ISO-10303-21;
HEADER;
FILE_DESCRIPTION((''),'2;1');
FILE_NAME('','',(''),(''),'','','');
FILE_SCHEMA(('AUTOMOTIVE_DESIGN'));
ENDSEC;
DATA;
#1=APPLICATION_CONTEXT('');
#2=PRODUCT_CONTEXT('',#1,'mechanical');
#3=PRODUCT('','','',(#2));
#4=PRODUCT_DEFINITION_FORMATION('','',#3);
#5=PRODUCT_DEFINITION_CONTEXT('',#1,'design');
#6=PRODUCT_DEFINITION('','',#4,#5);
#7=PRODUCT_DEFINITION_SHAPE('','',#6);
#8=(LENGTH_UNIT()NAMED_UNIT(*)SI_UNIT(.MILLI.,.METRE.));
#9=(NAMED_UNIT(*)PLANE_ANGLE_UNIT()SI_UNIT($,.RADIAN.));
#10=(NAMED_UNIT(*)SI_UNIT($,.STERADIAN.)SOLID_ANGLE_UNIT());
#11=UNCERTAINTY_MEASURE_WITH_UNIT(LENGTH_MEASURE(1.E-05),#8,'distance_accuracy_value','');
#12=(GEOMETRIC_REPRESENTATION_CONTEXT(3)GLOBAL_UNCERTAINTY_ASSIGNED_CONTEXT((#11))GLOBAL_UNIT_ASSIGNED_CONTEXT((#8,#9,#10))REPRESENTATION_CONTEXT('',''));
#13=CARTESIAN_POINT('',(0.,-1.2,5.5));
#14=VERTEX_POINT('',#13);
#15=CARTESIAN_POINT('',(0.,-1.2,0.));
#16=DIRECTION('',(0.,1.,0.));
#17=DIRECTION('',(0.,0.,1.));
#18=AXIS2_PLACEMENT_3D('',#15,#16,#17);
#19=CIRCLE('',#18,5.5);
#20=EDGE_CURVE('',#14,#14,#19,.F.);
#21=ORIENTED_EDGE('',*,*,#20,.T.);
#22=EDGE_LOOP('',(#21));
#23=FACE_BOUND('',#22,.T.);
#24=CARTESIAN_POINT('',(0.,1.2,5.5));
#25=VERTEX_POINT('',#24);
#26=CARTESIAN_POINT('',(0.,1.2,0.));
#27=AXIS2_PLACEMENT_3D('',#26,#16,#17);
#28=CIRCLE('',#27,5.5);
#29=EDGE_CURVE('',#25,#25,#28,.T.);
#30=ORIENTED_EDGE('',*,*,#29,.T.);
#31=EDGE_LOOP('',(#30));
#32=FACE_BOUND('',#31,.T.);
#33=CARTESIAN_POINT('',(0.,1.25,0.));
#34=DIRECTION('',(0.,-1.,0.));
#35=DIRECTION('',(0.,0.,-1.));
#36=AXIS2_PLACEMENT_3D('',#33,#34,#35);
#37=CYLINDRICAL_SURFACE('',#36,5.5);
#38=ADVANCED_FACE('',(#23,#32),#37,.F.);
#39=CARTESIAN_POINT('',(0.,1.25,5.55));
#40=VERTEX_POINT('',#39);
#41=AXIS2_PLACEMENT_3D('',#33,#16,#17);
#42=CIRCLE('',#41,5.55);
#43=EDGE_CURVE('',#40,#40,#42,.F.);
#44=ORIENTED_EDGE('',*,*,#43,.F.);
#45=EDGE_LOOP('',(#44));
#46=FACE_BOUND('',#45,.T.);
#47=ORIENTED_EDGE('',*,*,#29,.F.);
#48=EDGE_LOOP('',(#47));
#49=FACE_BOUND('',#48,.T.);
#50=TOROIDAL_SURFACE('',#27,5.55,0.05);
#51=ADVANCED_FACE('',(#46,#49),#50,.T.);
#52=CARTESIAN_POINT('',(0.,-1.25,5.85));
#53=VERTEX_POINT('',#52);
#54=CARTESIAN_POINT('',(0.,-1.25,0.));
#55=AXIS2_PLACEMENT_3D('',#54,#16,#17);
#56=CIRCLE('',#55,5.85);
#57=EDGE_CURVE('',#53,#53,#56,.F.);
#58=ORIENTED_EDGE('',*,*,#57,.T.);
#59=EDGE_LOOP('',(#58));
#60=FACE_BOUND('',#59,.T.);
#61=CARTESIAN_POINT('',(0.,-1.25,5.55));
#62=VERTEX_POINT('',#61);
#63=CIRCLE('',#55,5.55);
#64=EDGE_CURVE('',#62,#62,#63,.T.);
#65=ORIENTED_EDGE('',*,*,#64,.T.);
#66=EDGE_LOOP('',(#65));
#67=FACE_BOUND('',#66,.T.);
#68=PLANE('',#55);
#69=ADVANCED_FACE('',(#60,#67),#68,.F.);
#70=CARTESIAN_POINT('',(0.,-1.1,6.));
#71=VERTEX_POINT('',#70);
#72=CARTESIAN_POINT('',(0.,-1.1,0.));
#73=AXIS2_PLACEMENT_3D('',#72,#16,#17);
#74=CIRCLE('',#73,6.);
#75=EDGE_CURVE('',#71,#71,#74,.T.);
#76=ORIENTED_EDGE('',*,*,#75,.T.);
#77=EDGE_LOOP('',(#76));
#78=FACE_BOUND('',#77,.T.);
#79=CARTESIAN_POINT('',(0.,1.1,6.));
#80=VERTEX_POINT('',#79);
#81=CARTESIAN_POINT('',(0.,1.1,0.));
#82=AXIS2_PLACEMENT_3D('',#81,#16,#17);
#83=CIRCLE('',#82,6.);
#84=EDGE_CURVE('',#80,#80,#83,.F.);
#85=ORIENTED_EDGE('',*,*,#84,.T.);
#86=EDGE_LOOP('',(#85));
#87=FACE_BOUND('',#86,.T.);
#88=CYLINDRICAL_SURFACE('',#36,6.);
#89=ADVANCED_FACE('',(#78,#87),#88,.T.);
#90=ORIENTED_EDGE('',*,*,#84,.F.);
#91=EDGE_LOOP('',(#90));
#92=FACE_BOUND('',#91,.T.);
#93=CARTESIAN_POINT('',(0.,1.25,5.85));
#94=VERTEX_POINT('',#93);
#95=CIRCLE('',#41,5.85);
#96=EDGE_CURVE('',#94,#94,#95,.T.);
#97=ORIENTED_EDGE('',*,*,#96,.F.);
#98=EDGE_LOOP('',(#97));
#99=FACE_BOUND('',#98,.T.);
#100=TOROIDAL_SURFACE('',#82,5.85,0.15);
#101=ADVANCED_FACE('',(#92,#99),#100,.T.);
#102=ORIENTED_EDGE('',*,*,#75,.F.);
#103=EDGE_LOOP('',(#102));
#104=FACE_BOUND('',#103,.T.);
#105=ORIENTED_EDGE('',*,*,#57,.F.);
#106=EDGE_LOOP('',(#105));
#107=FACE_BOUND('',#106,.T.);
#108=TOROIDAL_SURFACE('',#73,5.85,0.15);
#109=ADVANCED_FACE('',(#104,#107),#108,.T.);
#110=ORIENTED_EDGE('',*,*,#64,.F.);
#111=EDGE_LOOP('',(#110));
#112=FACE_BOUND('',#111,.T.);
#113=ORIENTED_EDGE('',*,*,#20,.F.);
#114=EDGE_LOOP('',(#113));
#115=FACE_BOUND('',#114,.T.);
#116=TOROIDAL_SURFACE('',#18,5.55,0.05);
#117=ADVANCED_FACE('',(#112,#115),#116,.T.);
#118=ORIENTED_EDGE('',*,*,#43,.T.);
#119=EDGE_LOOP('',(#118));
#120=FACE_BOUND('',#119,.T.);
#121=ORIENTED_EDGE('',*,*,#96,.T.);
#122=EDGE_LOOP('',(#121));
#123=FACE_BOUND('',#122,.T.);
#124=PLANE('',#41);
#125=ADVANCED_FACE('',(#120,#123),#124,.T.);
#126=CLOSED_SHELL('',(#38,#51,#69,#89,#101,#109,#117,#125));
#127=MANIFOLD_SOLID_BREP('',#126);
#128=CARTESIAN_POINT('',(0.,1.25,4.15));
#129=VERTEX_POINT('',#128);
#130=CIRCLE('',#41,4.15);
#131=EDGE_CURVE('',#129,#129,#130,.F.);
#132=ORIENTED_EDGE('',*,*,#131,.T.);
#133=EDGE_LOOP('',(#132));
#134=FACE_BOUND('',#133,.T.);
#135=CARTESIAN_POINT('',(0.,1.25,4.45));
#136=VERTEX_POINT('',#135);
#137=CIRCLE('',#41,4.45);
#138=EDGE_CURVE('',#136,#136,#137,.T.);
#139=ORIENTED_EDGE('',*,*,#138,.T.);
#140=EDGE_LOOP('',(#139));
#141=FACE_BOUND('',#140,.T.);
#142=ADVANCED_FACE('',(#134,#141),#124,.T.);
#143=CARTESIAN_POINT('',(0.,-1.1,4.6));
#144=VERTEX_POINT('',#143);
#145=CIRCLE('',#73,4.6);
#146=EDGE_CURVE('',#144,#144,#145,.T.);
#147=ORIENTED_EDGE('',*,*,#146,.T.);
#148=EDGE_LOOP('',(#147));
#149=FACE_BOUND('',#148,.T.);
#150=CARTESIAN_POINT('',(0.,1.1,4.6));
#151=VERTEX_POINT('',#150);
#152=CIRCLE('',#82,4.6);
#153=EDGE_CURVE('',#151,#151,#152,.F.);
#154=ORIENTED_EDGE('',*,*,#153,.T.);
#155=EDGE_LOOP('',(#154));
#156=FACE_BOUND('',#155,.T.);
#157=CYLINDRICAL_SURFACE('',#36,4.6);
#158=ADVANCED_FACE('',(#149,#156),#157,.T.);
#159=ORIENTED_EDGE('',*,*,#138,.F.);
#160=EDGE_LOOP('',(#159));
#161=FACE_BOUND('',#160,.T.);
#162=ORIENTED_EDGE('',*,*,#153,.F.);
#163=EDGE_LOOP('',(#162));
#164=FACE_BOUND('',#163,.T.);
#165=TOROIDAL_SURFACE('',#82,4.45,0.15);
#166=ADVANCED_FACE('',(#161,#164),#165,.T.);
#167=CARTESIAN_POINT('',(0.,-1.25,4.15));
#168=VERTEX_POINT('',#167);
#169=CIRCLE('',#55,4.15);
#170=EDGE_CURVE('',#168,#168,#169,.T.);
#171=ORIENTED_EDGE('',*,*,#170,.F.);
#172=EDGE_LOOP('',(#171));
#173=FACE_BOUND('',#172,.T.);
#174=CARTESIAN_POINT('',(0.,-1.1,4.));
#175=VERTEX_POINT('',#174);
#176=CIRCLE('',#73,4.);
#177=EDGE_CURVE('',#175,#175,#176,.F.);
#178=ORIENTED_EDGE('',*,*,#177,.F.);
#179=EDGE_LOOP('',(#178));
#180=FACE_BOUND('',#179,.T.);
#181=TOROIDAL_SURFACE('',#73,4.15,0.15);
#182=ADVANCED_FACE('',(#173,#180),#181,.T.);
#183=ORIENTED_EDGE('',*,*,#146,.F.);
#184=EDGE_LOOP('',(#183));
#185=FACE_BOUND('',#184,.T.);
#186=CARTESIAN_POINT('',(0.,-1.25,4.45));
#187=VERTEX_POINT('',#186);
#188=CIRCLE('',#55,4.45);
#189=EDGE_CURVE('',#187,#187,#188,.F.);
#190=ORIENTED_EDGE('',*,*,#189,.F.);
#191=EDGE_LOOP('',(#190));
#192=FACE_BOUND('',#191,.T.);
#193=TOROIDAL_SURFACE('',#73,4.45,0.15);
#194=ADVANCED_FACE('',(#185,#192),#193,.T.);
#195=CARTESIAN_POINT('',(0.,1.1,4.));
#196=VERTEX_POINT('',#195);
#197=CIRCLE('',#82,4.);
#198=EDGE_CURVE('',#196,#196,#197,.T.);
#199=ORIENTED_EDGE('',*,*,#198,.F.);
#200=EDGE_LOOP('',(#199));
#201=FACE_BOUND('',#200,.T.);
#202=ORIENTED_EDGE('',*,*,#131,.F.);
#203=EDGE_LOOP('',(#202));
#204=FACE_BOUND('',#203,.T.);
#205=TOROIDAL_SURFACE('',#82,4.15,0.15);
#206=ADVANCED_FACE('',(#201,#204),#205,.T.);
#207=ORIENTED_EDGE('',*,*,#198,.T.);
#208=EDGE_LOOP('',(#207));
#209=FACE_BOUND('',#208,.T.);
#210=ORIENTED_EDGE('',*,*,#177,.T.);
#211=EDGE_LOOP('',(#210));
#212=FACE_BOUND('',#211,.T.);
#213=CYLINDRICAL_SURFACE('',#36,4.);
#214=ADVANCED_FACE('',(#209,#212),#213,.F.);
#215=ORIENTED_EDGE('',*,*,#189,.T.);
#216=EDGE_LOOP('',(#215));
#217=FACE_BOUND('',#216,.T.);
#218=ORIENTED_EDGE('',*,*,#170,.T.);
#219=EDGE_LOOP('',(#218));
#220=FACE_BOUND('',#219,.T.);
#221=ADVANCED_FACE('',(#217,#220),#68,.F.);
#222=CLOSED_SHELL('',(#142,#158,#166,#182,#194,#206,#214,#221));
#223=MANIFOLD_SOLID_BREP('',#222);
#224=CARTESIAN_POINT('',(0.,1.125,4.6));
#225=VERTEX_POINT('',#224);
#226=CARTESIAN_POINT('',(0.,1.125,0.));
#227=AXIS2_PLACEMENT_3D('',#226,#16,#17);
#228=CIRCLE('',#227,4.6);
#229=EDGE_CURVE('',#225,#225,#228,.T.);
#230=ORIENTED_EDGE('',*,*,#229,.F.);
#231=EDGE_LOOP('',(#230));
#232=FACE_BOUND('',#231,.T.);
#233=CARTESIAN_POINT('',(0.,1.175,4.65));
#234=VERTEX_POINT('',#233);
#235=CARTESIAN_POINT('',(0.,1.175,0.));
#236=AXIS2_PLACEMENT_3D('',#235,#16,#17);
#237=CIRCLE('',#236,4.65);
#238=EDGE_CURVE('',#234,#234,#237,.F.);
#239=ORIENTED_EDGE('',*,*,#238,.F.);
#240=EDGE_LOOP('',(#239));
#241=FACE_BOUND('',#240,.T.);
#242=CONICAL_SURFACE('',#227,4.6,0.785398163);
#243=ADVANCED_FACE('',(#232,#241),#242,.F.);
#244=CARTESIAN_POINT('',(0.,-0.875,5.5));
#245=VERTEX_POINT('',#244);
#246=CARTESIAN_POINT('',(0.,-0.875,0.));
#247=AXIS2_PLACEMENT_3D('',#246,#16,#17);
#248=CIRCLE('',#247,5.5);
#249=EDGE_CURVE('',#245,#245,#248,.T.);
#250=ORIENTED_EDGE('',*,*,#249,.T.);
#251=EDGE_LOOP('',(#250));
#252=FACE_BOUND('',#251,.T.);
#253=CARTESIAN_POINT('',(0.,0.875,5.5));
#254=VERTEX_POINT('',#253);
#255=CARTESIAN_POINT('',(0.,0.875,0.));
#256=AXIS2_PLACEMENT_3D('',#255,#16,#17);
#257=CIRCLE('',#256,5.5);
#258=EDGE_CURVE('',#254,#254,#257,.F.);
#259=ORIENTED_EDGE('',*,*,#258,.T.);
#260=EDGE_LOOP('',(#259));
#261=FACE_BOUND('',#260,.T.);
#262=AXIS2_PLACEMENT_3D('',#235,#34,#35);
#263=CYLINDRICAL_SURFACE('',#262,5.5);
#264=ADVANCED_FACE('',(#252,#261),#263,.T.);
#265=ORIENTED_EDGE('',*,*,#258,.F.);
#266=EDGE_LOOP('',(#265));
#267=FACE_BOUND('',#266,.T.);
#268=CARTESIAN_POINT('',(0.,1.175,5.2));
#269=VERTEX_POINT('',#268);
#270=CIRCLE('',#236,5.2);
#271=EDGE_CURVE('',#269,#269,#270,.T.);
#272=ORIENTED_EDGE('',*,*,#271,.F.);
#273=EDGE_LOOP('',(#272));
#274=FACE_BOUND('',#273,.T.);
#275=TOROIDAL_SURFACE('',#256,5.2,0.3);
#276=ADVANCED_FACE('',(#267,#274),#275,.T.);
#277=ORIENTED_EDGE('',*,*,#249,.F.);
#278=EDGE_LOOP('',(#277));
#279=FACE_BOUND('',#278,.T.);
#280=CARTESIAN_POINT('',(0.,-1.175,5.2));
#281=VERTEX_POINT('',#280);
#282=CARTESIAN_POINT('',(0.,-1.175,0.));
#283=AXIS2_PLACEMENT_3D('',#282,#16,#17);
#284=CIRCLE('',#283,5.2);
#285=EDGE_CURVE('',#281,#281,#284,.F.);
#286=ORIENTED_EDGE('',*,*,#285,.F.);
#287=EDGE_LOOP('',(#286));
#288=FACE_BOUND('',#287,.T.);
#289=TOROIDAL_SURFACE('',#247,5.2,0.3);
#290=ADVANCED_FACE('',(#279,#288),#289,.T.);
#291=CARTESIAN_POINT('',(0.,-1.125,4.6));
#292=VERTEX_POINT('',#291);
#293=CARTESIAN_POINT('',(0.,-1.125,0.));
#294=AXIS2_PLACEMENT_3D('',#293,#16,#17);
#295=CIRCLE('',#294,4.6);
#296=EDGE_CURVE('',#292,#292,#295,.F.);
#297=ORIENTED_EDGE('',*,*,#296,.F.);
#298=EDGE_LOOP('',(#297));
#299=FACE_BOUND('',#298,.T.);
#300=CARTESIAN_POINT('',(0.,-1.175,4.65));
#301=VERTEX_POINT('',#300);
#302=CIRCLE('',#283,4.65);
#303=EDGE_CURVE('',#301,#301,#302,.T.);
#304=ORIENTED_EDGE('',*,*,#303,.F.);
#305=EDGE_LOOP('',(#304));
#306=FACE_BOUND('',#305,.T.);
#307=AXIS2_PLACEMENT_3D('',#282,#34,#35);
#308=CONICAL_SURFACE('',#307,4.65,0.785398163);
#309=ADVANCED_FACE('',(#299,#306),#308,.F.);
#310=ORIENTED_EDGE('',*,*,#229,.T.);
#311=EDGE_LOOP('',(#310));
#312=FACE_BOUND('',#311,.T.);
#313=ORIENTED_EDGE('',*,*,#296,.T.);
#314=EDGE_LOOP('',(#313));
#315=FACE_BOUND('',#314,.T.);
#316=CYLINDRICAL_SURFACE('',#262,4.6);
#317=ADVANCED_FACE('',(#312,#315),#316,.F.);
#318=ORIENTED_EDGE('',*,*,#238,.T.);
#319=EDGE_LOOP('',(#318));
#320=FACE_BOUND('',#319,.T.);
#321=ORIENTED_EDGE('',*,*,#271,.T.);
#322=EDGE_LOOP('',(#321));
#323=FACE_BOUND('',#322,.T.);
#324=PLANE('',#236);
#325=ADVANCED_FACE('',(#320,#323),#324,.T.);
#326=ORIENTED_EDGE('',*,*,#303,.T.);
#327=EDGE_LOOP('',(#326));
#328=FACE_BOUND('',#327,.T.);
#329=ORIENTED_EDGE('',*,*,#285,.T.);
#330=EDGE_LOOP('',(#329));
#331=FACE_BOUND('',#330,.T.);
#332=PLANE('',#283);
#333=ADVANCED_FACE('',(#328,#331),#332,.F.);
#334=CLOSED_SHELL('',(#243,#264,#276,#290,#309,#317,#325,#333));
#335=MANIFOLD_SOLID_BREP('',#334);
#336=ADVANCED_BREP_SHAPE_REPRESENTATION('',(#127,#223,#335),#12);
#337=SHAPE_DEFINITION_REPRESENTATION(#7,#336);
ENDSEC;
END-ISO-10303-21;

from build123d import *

# Parameters (mm, degrees)
SKETCH1_R             = 6
SKETCH1_R_2           = 5.5
BOSS_EXTRUDE1_DEPTH   = 1.25
SKETCH1_R_3           = 4.6
SKETCH1_R_4           = 4
BOSS_EXTRUDE1_2_DEPTH = 1.25
FILLET1_R             = 0.15
FILLET2_R             = 0.15
FILLET3_R             = 0.05
SKETCH2_R             = 5.5
SKETCH2_R_2           = 4.6
BOSS_EXTRUDE2_DEPTH   = 1.175
FILLET4_R             = 0.3
CHAMFER1_SIZE         = 0.05


with BuildPart() as part:
    # Sketch1 → Boss-Extrude1 (new, symmetric)
    with BuildSketch(Plane(origin=(0, 0, 0), x_dir=(1, 0, 0), z_dir=(0, 1, 0))):
        with Locations(Location((0, 0, 0), (0, 0, 270))):
            Circle(SKETCH1_R)
        with Locations(Location((0, 0, 0), (0, 0, 270))):
            Circle(SKETCH1_R_2, mode=Mode.SUBTRACT)
    extrude(amount=BOSS_EXTRUDE1_DEPTH, both=True)

    # Fillet2
    fillet2_edges = [part.edges().sort_by_distance(p)[0] for p in [
        (0, 1.25, -6),
        (0, -1.25, -6),
    ]]
    fillet(fillet2_edges, radius=FILLET2_R)

    # Fillet3
    fillet3_edges = [part.edges().sort_by_distance(p)[0] for p in [
        (0, -1.25, -5.5),
        (0, 1.25, -5.5),
    ]]
    fillet(fillet3_edges, radius=FILLET3_R)


with BuildPart() as body_2:
    # Sketch1 → Boss-Extrude1 2 (new, symmetric)
    with BuildSketch(Plane(origin=(0, 0, 0), x_dir=(1, 0, 0), z_dir=(0, 1, 0))):
        with Locations(Location((0, 0, 0), (0, 0, 270))):
            Circle(SKETCH1_R_3)
        with Locations(Location((0, 0, 0), (0, 0, 270))):
            Circle(SKETCH1_R_4, mode=Mode.SUBTRACT)
    extrude(amount=BOSS_EXTRUDE1_2_DEPTH, both=True)

    # Fillet1
    fillet1_edges = [body_2.edges().sort_by_distance(p)[0] for p in [
        (0, 1.25, -4.6),
        (0, -1.25, -4.6),
        (0, -1.25, -4),
        (0, 1.25, -4),
    ]]
    fillet(fillet1_edges, radius=FILLET1_R)


with BuildPart() as body_3:
    # Sketch2 → Boss-Extrude2 (new, symmetric)
    with BuildSketch(Plane(origin=(0, 0, 0), x_dir=(1, 0, 0), z_dir=(0, 1, 0))):
        with Locations(Location((0, 0, 0), (0, 0, 270))):
            Circle(SKETCH2_R)
        with Locations(Location((0, 0, 0), (0, 0, 270))):
            Circle(SKETCH2_R_2, mode=Mode.SUBTRACT)
    extrude(amount=BOSS_EXTRUDE2_DEPTH, both=True)

    # Fillet4
    fillet4_edges = [body_3.edges().sort_by_distance(p)[0] for p in [
        (0, -1.175, -5.5),
        (0, 1.175, -5.5),
    ]]
    fillet(fillet4_edges, radius=FILLET4_R)

    # Chamfer1
    chamfer1_edges = [body_3.edges().sort_by_distance(p)[0] for p in [
        (0, -1.175, -4.6),
        (0, 1.175, -4.6),
    ]]
    chamfer(chamfer1_edges, length=CHAMFER1_SIZE)


solid = Compound([part.part, body_2.part, body_3.part])
